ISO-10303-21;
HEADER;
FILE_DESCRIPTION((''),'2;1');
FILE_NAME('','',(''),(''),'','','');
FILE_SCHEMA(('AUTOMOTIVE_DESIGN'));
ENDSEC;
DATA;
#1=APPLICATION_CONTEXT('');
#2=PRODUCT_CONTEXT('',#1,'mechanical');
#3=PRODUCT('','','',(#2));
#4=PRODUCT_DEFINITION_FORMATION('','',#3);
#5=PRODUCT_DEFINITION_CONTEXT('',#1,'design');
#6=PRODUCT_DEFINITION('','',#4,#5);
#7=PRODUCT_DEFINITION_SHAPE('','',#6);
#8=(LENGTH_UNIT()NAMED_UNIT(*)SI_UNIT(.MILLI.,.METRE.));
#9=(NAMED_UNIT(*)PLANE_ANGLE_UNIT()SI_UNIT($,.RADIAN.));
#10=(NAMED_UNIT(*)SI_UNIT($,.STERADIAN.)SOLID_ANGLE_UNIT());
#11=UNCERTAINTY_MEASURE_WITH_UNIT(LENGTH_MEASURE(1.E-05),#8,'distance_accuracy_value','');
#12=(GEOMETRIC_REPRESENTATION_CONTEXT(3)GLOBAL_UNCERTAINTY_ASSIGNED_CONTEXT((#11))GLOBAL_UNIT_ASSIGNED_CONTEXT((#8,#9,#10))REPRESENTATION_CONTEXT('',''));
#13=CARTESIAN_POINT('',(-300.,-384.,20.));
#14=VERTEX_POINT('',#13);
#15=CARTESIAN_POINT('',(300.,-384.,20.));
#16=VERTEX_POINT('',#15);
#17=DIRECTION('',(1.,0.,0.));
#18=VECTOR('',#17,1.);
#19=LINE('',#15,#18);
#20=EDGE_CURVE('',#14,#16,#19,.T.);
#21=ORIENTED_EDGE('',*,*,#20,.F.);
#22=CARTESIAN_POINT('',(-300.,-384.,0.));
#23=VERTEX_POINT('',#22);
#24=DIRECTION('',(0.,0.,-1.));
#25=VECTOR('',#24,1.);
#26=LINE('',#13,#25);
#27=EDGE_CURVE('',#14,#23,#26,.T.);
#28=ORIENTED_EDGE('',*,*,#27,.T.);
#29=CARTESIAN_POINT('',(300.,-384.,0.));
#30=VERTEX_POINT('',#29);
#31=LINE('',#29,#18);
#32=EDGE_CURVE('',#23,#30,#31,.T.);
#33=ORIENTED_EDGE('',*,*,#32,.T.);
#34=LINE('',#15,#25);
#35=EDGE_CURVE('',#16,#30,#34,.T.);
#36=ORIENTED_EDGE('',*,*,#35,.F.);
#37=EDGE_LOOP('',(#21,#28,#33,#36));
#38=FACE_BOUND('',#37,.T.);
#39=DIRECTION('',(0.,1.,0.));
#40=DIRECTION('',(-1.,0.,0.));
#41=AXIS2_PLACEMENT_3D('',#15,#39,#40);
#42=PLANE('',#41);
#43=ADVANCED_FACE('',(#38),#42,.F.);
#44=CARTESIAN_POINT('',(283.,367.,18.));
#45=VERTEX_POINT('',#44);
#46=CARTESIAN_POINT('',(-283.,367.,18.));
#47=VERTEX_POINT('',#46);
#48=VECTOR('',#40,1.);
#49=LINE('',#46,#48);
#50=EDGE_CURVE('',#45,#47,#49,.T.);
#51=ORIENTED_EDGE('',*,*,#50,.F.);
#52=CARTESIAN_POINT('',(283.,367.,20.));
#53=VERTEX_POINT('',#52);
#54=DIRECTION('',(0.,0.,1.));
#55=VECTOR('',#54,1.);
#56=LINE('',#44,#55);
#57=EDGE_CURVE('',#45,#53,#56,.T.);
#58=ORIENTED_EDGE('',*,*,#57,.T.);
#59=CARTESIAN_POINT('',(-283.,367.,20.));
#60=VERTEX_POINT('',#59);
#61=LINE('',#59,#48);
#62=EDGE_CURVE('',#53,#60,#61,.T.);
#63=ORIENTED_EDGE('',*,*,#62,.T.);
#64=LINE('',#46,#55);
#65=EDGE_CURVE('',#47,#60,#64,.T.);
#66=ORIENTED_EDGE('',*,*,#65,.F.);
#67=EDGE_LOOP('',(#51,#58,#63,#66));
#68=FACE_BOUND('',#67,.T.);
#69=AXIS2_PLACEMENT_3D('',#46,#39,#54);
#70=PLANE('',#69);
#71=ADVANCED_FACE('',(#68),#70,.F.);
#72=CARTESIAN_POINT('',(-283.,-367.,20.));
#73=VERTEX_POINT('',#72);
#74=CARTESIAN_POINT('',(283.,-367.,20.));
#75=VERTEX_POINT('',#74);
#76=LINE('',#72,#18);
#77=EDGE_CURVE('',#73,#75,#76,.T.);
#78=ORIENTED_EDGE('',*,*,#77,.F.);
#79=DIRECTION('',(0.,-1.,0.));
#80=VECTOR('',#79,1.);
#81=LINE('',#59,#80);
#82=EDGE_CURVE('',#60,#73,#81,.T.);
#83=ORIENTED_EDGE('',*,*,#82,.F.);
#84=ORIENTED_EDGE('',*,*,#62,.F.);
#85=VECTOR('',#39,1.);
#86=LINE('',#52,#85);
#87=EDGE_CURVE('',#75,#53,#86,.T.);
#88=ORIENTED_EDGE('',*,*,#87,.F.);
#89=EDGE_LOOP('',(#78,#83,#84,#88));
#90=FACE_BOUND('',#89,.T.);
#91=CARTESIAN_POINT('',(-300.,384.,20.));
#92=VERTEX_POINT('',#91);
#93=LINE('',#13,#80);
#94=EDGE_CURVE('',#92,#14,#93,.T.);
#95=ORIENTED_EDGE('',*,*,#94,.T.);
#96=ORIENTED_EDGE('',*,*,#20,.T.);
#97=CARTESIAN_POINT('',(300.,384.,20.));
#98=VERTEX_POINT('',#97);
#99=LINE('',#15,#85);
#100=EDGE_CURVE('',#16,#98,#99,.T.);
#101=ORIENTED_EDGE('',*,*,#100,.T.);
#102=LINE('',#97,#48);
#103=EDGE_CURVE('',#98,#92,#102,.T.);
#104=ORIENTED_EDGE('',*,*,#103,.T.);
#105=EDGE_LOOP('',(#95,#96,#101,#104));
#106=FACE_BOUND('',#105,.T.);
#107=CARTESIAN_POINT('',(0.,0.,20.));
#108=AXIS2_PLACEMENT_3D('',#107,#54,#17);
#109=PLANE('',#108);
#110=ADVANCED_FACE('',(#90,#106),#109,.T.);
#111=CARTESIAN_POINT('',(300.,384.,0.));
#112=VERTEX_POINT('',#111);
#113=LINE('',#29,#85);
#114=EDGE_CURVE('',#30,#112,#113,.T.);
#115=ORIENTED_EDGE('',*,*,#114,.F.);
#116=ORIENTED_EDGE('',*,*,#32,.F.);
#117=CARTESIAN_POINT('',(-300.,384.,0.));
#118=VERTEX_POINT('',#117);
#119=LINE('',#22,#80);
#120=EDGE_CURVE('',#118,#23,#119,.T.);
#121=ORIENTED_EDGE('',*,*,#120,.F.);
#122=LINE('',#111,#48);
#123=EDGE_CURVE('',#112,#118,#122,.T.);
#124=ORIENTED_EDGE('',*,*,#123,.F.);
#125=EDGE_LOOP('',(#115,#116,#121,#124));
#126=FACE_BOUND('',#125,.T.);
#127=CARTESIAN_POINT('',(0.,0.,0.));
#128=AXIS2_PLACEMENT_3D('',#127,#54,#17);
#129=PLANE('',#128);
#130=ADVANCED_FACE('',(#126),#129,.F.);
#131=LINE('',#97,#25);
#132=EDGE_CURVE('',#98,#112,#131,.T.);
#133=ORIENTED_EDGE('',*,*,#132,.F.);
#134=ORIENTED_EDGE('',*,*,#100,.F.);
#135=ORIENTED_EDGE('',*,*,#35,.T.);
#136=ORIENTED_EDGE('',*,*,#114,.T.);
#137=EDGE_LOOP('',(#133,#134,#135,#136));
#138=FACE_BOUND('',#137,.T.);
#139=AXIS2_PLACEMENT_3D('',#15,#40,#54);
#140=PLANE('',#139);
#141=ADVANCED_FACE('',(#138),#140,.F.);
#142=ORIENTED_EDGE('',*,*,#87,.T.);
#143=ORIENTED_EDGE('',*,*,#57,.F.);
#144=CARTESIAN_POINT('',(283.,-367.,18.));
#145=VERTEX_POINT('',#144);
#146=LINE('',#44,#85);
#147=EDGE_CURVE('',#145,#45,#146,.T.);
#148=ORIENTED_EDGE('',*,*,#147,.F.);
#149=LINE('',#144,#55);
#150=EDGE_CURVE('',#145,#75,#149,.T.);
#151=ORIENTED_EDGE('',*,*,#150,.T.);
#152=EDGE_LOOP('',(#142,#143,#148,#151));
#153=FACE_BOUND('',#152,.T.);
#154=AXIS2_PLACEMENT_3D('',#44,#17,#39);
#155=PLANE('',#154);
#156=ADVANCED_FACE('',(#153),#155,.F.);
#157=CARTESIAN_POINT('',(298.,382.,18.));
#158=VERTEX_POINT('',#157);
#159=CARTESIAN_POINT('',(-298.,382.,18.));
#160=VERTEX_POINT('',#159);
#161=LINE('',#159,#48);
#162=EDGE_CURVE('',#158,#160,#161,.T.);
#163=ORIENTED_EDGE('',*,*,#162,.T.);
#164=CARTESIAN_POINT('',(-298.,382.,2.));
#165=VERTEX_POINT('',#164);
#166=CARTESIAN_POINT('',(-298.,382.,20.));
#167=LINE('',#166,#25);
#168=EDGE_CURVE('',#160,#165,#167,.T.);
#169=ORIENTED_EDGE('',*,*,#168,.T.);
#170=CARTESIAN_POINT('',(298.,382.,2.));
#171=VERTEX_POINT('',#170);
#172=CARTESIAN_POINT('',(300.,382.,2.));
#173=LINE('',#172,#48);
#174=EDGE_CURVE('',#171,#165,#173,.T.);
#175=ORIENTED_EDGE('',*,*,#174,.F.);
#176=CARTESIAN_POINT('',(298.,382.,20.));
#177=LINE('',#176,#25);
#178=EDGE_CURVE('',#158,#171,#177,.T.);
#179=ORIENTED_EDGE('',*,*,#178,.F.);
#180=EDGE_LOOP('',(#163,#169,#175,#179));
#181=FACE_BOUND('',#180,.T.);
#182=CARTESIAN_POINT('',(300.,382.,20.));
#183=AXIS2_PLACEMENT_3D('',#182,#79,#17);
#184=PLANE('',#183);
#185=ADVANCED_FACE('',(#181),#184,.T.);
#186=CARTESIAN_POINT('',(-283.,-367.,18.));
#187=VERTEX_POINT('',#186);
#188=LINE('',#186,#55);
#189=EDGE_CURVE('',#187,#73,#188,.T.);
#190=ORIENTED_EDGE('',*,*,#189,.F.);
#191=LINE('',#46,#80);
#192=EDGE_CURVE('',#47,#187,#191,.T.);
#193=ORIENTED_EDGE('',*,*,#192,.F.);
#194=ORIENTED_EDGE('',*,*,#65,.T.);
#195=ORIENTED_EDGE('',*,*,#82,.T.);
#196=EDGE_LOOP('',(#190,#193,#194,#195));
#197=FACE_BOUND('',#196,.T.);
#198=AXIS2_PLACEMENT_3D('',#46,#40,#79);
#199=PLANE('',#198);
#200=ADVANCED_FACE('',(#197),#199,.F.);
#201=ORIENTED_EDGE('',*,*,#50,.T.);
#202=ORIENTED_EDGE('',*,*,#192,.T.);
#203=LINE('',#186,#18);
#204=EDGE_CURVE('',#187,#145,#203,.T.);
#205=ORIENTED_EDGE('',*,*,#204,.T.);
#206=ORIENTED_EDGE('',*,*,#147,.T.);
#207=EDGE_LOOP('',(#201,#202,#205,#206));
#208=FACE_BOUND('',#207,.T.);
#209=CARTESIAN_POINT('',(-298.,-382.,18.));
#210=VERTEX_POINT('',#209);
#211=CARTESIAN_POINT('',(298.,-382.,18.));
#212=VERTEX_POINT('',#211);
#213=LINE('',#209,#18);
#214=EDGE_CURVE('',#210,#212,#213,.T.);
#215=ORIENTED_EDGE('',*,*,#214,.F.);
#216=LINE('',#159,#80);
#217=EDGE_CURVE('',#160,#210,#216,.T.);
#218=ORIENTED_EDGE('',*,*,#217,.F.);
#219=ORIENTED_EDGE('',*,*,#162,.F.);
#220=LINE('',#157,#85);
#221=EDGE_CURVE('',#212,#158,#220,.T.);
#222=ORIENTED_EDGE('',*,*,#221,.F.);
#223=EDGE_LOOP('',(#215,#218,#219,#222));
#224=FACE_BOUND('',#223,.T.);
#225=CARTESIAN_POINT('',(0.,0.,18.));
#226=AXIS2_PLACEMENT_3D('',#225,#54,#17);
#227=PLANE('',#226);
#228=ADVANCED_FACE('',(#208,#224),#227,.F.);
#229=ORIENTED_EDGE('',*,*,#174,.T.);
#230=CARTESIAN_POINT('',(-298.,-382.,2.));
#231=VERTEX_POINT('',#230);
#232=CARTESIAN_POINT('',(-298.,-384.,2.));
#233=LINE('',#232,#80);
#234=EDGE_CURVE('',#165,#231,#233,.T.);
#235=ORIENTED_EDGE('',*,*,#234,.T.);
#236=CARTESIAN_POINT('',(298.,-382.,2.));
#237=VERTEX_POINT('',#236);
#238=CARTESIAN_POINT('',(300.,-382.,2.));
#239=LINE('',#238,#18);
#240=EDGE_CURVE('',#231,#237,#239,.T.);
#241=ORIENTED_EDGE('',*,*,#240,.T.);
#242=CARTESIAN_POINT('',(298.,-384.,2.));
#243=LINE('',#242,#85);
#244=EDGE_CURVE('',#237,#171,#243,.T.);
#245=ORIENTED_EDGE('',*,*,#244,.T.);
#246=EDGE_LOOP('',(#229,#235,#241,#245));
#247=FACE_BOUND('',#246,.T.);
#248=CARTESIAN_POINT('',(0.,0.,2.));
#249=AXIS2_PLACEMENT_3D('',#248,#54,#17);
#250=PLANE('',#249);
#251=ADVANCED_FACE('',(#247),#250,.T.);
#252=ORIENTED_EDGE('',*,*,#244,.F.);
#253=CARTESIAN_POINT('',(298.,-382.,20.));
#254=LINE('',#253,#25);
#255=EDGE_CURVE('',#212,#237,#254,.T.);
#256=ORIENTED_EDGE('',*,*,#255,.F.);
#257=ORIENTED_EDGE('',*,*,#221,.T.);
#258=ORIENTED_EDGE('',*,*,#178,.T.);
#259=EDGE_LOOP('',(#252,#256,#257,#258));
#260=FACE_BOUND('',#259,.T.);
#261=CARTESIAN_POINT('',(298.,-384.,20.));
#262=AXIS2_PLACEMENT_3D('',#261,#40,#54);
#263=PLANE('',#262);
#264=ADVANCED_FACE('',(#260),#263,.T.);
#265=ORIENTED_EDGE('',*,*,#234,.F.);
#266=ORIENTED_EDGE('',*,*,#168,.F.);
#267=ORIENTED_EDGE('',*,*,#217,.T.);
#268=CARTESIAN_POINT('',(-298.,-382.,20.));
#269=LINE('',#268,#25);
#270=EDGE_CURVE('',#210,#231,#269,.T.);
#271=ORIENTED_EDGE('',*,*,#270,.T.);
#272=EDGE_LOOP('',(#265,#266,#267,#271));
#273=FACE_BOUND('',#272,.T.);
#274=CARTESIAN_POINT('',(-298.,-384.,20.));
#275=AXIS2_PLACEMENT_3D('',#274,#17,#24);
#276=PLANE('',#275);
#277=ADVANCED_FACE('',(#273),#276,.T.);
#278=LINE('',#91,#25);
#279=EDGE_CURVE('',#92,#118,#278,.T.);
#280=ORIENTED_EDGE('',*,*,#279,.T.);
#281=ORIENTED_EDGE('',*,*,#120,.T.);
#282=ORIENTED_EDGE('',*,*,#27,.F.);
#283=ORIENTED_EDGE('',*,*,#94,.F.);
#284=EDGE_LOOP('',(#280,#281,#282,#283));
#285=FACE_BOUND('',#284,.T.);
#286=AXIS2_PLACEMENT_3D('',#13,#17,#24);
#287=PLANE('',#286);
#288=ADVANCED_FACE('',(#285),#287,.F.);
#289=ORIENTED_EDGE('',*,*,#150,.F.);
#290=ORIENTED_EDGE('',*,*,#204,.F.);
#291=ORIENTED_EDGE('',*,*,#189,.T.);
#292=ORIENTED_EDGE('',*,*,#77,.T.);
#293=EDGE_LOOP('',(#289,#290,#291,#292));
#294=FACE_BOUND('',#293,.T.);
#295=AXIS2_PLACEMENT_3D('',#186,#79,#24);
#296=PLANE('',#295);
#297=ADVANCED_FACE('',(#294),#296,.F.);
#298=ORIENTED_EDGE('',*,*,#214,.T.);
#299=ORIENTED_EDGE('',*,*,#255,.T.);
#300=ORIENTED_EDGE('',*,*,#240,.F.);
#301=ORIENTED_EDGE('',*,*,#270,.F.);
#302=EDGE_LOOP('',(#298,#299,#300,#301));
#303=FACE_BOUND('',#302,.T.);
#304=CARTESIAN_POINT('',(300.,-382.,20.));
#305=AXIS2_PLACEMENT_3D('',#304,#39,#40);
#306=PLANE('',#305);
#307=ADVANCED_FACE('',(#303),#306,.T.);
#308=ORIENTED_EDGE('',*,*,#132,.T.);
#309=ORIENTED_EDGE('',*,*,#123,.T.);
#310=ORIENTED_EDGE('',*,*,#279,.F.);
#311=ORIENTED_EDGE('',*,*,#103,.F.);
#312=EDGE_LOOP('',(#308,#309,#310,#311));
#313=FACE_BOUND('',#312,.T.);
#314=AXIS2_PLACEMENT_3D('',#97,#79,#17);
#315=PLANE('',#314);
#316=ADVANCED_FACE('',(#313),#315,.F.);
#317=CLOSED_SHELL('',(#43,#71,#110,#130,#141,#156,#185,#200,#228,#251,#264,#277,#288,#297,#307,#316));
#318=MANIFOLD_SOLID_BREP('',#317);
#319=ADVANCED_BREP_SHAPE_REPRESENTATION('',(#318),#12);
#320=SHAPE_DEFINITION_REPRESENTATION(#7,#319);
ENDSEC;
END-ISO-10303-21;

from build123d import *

# Parameters (mm, degrees)
SKETCH1_W           = 600
SKETCH1_H           = 768
BOSS_EXTRUDE1_DEPTH = 20
SHELL1_T            = -2
SKETCH2_W           = 596
SKETCH2_H           = 764
SKETCH2_W_2         = 566
SKETCH2_H_2         = 734
BOSS_EXTRUDE2_DEPTH = 2


with BuildPart() as part:
    # Sketch1 → Boss-Extrude1 (new body)
    with BuildSketch(Plane.XY):
        Rectangle(SKETCH1_W, SKETCH1_H)
    extrude(amount=BOSS_EXTRUDE1_DEPTH)

    # Shell1
    shell1_openings = [part.faces().sort_by_distance(p)[0] for p in [
        (0, 0, 20),
    ]]
    offset(amount=SHELL1_T, openings=shell1_openings, kind=Kind.INTERSECTION)

    # Sketch2 → Boss-Extrude2 (add)
    with BuildSketch(Plane.XY.offset(20)):
        Rectangle(SKETCH2_W, SKETCH2_H)
        Rectangle(SKETCH2_W_2, SKETCH2_H_2, mode=Mode.SUBTRACT)
    extrude(amount=-BOSS_EXTRUDE2_DEPTH)


solid = part.part
